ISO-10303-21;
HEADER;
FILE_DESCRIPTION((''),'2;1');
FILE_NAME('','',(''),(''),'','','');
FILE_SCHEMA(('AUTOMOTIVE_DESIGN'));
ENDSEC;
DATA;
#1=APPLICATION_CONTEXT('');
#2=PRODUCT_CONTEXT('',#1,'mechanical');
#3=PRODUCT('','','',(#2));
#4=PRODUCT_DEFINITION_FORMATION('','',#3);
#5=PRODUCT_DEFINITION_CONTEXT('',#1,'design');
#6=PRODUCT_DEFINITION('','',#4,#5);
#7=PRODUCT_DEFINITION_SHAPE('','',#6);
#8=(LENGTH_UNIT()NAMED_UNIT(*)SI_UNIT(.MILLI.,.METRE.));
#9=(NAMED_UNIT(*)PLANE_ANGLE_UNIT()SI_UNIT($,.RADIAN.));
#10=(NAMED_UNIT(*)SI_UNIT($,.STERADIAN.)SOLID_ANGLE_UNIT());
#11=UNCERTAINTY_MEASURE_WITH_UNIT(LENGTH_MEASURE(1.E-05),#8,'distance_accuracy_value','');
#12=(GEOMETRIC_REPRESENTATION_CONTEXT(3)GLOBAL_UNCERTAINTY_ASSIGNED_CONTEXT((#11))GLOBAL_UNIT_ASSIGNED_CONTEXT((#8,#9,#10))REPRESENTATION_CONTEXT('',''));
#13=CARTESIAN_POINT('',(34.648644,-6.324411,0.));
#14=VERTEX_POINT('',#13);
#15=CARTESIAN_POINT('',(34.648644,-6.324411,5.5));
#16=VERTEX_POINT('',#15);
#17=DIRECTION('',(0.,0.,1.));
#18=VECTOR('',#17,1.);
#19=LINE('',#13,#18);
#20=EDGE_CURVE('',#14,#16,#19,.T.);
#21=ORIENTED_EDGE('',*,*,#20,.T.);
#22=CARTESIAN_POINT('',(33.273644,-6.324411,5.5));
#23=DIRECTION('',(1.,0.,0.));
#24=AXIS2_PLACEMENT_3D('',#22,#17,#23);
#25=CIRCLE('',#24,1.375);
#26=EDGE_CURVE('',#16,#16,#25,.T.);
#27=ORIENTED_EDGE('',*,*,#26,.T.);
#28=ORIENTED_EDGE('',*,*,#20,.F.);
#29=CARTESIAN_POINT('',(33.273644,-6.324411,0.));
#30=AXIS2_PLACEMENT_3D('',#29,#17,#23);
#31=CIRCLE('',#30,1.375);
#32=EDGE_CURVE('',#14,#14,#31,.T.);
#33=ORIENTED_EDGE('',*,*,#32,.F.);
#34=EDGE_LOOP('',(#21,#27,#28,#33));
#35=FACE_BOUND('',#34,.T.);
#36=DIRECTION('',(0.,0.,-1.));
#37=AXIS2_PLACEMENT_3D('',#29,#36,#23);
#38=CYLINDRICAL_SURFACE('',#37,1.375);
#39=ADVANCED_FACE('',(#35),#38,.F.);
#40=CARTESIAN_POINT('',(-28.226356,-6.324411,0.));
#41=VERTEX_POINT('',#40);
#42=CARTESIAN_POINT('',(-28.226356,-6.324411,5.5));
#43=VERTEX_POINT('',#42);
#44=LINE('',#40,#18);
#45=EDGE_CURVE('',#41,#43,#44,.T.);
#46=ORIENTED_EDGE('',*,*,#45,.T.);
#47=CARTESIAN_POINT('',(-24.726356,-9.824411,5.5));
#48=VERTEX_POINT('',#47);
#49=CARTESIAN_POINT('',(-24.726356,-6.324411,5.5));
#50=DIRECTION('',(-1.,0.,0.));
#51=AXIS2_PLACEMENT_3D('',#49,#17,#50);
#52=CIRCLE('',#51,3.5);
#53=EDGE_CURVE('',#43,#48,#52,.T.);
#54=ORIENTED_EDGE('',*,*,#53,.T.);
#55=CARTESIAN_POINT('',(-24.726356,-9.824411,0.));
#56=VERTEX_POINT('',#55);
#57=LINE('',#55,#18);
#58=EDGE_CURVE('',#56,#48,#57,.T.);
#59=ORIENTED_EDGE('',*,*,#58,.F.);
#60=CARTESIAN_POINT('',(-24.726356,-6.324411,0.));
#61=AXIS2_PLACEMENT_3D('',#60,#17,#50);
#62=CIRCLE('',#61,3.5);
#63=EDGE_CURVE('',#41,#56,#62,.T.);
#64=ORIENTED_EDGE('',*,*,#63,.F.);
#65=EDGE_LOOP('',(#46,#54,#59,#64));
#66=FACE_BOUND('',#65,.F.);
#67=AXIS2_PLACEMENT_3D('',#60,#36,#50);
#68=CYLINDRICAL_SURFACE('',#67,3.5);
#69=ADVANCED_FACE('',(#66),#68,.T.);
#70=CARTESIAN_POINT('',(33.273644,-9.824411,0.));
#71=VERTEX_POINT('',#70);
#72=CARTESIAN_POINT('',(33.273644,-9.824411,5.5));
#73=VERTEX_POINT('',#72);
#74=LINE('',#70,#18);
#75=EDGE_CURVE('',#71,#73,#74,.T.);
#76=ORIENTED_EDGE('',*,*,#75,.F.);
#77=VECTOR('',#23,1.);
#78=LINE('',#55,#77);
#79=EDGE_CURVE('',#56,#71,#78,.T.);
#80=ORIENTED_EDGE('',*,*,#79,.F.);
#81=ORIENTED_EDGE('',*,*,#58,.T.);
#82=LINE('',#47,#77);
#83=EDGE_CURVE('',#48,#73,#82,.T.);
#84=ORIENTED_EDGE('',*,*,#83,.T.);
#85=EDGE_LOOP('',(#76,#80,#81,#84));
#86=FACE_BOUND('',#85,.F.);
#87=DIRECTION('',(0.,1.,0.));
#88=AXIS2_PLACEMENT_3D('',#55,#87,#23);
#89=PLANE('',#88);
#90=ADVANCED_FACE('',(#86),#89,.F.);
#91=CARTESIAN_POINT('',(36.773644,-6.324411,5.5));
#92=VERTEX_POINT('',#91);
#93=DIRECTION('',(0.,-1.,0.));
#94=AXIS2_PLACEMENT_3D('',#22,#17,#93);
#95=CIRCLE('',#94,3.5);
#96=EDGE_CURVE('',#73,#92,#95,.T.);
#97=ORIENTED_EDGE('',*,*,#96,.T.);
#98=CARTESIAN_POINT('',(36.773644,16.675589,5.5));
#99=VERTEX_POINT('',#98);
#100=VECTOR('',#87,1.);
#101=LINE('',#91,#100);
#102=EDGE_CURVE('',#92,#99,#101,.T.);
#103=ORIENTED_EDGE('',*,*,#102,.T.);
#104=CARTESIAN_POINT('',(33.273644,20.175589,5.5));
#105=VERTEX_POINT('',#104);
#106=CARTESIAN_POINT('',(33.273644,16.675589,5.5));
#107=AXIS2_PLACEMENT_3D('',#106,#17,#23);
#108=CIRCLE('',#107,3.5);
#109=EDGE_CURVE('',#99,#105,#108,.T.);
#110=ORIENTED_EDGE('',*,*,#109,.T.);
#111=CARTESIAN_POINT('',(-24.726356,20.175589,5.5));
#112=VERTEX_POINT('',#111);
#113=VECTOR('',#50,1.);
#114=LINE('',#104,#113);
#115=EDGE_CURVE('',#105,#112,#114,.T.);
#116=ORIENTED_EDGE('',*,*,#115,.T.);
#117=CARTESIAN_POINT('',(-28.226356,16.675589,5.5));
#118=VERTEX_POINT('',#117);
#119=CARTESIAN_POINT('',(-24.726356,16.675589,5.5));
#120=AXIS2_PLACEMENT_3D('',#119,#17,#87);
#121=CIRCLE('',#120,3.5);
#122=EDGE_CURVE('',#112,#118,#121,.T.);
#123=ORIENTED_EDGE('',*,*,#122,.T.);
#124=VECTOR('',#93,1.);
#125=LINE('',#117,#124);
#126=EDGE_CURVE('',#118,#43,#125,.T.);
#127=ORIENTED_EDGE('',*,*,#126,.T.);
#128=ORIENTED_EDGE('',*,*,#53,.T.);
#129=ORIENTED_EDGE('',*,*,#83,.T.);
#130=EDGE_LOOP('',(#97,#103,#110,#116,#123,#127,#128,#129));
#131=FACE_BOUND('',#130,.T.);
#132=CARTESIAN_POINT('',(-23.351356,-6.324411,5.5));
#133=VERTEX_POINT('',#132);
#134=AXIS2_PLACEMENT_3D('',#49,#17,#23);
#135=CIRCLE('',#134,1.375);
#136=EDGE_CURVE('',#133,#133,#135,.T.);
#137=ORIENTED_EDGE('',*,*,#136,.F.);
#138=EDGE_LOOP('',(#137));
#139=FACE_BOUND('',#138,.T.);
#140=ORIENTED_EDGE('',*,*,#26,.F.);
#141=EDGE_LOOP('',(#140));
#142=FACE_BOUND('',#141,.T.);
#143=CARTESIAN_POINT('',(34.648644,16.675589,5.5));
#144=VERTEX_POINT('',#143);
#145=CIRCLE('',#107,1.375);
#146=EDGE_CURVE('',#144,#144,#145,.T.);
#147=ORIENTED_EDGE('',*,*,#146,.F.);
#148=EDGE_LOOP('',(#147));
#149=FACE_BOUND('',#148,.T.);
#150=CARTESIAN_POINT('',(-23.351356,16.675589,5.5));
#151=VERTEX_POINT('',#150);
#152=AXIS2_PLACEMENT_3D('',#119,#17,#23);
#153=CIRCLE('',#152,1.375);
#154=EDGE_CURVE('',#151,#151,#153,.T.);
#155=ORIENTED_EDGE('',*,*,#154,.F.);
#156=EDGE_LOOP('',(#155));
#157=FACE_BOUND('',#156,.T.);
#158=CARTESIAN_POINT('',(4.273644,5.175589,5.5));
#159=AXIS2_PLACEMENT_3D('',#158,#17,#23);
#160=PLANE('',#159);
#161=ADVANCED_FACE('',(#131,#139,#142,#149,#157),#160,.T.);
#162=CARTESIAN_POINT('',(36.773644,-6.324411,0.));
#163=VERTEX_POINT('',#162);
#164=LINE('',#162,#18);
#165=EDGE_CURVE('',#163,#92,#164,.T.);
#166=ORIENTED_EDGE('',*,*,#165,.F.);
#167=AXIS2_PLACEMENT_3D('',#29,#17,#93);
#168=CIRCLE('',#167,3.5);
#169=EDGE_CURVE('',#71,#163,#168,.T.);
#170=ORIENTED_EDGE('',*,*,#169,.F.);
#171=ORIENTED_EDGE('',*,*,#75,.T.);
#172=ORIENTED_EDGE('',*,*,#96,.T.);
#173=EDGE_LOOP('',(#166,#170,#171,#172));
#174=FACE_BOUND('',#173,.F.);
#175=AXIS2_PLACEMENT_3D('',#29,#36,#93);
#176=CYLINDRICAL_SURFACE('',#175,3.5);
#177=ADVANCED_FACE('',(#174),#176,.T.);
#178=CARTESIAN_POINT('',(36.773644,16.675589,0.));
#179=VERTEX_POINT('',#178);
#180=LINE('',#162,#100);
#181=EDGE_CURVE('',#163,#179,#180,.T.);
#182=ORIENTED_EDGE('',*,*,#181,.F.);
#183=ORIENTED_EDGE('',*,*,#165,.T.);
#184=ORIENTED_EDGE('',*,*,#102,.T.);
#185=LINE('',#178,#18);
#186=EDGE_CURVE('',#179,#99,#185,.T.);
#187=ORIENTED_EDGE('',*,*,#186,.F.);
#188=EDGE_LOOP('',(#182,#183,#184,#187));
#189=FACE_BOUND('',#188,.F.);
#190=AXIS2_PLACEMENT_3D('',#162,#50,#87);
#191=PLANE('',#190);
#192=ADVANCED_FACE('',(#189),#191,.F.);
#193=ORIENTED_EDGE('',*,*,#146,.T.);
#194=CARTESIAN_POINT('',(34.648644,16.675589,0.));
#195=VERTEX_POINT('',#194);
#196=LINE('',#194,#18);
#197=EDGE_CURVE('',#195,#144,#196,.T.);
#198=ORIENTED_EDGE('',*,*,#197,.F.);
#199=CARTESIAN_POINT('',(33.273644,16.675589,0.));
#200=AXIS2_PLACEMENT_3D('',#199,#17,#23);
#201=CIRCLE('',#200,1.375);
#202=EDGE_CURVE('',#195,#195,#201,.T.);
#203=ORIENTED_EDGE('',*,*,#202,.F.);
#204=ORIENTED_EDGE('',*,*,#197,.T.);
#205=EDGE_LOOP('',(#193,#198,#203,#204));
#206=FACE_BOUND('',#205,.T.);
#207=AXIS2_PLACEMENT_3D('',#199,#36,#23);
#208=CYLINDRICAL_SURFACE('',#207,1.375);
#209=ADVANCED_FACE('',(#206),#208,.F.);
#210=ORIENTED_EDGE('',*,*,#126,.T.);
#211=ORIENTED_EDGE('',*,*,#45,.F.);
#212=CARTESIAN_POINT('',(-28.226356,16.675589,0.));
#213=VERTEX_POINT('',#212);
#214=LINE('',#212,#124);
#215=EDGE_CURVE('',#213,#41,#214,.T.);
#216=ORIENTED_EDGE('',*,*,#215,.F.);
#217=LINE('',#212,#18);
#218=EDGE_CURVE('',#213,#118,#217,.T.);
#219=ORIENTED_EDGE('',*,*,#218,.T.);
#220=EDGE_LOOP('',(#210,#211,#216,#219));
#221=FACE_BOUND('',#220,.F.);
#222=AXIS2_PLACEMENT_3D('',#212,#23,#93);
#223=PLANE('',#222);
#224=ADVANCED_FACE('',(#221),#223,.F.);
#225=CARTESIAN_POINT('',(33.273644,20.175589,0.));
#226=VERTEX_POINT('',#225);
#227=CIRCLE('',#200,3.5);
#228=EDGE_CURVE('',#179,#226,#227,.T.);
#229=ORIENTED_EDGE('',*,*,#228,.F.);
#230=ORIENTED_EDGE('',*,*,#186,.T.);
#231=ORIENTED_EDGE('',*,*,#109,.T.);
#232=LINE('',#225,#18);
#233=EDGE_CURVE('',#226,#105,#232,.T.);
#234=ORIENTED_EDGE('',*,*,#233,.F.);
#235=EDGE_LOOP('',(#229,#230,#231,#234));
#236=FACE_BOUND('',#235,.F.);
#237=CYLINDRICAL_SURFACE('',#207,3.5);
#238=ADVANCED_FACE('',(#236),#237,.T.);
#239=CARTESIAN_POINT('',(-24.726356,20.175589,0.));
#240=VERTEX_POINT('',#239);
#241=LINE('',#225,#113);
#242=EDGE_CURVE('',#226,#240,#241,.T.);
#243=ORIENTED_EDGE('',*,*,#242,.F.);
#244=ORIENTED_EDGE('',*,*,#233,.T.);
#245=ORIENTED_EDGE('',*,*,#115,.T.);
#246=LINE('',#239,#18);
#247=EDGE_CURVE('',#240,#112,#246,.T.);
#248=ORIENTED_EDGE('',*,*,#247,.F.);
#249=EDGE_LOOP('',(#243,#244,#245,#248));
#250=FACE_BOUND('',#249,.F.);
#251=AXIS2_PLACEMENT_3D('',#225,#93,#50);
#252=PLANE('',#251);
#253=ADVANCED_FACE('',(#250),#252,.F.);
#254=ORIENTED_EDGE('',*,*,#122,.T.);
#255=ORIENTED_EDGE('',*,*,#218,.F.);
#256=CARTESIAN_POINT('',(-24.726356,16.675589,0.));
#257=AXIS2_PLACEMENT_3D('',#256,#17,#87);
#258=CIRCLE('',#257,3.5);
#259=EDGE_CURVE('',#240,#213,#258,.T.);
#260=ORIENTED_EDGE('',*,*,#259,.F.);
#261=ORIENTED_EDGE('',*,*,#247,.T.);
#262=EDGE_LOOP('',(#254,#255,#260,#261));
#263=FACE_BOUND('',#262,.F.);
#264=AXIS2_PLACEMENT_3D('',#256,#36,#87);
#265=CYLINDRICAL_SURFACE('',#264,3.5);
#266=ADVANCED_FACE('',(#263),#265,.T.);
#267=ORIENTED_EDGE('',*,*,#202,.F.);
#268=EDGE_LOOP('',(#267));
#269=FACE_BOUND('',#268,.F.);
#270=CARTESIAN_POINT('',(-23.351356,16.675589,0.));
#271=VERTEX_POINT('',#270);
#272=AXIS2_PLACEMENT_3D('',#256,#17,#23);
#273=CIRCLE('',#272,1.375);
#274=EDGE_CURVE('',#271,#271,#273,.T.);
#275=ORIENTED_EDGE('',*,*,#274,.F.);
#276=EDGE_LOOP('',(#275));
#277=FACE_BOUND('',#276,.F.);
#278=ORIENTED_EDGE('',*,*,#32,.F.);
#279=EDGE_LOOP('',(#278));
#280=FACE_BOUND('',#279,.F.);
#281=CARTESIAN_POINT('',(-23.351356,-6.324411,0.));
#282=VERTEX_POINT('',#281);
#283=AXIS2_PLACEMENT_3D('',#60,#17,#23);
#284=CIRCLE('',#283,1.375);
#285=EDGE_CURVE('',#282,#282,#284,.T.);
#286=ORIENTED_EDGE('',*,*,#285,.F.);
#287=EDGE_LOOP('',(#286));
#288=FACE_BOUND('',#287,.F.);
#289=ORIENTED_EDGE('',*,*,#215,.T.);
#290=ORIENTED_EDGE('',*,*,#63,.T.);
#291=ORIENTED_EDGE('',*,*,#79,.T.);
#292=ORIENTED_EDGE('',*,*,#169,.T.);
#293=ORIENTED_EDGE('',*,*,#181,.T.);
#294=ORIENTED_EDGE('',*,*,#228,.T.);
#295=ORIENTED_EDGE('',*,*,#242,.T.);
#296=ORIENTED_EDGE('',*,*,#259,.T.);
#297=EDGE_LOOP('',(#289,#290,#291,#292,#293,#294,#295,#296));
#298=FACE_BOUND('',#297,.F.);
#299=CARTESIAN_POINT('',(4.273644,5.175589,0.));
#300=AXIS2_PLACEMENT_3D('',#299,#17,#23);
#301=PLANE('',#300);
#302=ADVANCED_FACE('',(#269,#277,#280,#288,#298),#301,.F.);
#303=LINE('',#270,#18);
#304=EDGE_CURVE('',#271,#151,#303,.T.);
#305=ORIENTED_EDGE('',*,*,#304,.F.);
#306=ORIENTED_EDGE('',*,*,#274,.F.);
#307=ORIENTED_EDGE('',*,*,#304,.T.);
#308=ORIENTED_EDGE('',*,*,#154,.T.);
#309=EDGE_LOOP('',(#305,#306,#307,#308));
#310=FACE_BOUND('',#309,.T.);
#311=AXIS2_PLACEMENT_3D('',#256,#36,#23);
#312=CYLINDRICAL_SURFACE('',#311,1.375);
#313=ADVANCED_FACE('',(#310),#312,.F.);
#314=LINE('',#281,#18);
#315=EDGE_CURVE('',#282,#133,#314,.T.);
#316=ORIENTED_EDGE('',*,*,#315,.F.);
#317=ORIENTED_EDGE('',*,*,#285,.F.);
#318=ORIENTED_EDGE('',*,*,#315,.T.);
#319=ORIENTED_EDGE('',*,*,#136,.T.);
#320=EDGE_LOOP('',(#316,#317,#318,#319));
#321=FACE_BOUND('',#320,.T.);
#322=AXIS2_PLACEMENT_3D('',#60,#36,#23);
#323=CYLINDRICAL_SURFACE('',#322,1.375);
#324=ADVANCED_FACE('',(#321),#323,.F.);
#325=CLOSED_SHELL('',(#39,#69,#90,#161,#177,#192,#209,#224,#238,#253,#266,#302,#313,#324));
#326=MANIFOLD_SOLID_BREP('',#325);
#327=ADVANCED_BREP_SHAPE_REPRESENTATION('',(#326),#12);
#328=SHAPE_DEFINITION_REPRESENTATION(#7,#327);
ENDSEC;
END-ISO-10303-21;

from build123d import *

# Parameters (mm, degrees)
F0_R     = 1.75
F0_R_2   = 1.375
F1_DEPTH = 5.5


with BuildPart() as f1:
    # F0 (on Top) → F1 (new body)
    with BuildSketch(Plane.XY):
        with BuildLine():
            Line((33.2736441009, 20.1755892562), (-24.7263558991, 20.1755892562))
            ThreePointArc((-24.7263558991, 20.1755892562), (-27.2012296333, 19.1504629903), (-28.2263558991, 16.6755892562))
            Line((-28.2263558991, 16.6755892562), (-28.2263558991, -6.3244107438))
            ThreePointArc((-28.2263558991, -6.3244107438), (-27.2012296333, -8.799284478), (-24.7263558991, -9.8244107438))
            Line((-24.7263558991, -9.8244107438), (33.2736441009, -9.8244107438))
            ThreePointArc((33.2736441009, -9.8244107438), (35.748517835, -8.799284478), (36.7736441009, -6.3244107438))
            Line((36.7736441009, -6.3244107438), (36.7736441009, 16.6755892562))
            ThreePointArc((36.7736441009, 16.6755892562), (35.748517835, 19.1504629903), (33.2736441009, 20.1755892562))
        make_face()
        with Locations((-24.7263558991, -6.3244107438)):
            Circle(F0_R, mode=Mode.SUBTRACT)
        with Locations((33.2736441009, -6.3244107438)):
            Circle(F0_R, mode=Mode.SUBTRACT)
        with Locations((-24.7263558991, 16.6755892562)):
            Circle(F0_R, mode=Mode.SUBTRACT)
        with Locations((33.2736441009, 16.6755892562)):
            Circle(F0_R, mode=Mode.SUBTRACT)
        with Locations((-24.7263558991, -6.3244107438)):
            Circle(F0_R)
        with Locations((-24.7263558991, -6.3244107438)):
            Circle(F0_R_2, mode=Mode.SUBTRACT)
        with Locations((-24.7263558991, 16.6755892562)):
            Circle(F0_R)
        with Locations((-24.7263558991, 16.6755892562)):
            Circle(F0_R_2, mode=Mode.SUBTRACT)
        with Locations((33.2736441009, -6.3244107438)):
            Circle(F0_R)
        with Locations((33.2736441009, -6.3244107438)):
            Circle(F0_R_2, mode=Mode.SUBTRACT)
        with Locations((33.2736441009, 16.6755892562)):
            Circle(F0_R)
        with Locations((33.2736441009, 16.6755892562)):
            Circle(F0_R_2, mode=Mode.SUBTRACT)
    extrude(amount=F1_DEPTH)


solid = f1.part
